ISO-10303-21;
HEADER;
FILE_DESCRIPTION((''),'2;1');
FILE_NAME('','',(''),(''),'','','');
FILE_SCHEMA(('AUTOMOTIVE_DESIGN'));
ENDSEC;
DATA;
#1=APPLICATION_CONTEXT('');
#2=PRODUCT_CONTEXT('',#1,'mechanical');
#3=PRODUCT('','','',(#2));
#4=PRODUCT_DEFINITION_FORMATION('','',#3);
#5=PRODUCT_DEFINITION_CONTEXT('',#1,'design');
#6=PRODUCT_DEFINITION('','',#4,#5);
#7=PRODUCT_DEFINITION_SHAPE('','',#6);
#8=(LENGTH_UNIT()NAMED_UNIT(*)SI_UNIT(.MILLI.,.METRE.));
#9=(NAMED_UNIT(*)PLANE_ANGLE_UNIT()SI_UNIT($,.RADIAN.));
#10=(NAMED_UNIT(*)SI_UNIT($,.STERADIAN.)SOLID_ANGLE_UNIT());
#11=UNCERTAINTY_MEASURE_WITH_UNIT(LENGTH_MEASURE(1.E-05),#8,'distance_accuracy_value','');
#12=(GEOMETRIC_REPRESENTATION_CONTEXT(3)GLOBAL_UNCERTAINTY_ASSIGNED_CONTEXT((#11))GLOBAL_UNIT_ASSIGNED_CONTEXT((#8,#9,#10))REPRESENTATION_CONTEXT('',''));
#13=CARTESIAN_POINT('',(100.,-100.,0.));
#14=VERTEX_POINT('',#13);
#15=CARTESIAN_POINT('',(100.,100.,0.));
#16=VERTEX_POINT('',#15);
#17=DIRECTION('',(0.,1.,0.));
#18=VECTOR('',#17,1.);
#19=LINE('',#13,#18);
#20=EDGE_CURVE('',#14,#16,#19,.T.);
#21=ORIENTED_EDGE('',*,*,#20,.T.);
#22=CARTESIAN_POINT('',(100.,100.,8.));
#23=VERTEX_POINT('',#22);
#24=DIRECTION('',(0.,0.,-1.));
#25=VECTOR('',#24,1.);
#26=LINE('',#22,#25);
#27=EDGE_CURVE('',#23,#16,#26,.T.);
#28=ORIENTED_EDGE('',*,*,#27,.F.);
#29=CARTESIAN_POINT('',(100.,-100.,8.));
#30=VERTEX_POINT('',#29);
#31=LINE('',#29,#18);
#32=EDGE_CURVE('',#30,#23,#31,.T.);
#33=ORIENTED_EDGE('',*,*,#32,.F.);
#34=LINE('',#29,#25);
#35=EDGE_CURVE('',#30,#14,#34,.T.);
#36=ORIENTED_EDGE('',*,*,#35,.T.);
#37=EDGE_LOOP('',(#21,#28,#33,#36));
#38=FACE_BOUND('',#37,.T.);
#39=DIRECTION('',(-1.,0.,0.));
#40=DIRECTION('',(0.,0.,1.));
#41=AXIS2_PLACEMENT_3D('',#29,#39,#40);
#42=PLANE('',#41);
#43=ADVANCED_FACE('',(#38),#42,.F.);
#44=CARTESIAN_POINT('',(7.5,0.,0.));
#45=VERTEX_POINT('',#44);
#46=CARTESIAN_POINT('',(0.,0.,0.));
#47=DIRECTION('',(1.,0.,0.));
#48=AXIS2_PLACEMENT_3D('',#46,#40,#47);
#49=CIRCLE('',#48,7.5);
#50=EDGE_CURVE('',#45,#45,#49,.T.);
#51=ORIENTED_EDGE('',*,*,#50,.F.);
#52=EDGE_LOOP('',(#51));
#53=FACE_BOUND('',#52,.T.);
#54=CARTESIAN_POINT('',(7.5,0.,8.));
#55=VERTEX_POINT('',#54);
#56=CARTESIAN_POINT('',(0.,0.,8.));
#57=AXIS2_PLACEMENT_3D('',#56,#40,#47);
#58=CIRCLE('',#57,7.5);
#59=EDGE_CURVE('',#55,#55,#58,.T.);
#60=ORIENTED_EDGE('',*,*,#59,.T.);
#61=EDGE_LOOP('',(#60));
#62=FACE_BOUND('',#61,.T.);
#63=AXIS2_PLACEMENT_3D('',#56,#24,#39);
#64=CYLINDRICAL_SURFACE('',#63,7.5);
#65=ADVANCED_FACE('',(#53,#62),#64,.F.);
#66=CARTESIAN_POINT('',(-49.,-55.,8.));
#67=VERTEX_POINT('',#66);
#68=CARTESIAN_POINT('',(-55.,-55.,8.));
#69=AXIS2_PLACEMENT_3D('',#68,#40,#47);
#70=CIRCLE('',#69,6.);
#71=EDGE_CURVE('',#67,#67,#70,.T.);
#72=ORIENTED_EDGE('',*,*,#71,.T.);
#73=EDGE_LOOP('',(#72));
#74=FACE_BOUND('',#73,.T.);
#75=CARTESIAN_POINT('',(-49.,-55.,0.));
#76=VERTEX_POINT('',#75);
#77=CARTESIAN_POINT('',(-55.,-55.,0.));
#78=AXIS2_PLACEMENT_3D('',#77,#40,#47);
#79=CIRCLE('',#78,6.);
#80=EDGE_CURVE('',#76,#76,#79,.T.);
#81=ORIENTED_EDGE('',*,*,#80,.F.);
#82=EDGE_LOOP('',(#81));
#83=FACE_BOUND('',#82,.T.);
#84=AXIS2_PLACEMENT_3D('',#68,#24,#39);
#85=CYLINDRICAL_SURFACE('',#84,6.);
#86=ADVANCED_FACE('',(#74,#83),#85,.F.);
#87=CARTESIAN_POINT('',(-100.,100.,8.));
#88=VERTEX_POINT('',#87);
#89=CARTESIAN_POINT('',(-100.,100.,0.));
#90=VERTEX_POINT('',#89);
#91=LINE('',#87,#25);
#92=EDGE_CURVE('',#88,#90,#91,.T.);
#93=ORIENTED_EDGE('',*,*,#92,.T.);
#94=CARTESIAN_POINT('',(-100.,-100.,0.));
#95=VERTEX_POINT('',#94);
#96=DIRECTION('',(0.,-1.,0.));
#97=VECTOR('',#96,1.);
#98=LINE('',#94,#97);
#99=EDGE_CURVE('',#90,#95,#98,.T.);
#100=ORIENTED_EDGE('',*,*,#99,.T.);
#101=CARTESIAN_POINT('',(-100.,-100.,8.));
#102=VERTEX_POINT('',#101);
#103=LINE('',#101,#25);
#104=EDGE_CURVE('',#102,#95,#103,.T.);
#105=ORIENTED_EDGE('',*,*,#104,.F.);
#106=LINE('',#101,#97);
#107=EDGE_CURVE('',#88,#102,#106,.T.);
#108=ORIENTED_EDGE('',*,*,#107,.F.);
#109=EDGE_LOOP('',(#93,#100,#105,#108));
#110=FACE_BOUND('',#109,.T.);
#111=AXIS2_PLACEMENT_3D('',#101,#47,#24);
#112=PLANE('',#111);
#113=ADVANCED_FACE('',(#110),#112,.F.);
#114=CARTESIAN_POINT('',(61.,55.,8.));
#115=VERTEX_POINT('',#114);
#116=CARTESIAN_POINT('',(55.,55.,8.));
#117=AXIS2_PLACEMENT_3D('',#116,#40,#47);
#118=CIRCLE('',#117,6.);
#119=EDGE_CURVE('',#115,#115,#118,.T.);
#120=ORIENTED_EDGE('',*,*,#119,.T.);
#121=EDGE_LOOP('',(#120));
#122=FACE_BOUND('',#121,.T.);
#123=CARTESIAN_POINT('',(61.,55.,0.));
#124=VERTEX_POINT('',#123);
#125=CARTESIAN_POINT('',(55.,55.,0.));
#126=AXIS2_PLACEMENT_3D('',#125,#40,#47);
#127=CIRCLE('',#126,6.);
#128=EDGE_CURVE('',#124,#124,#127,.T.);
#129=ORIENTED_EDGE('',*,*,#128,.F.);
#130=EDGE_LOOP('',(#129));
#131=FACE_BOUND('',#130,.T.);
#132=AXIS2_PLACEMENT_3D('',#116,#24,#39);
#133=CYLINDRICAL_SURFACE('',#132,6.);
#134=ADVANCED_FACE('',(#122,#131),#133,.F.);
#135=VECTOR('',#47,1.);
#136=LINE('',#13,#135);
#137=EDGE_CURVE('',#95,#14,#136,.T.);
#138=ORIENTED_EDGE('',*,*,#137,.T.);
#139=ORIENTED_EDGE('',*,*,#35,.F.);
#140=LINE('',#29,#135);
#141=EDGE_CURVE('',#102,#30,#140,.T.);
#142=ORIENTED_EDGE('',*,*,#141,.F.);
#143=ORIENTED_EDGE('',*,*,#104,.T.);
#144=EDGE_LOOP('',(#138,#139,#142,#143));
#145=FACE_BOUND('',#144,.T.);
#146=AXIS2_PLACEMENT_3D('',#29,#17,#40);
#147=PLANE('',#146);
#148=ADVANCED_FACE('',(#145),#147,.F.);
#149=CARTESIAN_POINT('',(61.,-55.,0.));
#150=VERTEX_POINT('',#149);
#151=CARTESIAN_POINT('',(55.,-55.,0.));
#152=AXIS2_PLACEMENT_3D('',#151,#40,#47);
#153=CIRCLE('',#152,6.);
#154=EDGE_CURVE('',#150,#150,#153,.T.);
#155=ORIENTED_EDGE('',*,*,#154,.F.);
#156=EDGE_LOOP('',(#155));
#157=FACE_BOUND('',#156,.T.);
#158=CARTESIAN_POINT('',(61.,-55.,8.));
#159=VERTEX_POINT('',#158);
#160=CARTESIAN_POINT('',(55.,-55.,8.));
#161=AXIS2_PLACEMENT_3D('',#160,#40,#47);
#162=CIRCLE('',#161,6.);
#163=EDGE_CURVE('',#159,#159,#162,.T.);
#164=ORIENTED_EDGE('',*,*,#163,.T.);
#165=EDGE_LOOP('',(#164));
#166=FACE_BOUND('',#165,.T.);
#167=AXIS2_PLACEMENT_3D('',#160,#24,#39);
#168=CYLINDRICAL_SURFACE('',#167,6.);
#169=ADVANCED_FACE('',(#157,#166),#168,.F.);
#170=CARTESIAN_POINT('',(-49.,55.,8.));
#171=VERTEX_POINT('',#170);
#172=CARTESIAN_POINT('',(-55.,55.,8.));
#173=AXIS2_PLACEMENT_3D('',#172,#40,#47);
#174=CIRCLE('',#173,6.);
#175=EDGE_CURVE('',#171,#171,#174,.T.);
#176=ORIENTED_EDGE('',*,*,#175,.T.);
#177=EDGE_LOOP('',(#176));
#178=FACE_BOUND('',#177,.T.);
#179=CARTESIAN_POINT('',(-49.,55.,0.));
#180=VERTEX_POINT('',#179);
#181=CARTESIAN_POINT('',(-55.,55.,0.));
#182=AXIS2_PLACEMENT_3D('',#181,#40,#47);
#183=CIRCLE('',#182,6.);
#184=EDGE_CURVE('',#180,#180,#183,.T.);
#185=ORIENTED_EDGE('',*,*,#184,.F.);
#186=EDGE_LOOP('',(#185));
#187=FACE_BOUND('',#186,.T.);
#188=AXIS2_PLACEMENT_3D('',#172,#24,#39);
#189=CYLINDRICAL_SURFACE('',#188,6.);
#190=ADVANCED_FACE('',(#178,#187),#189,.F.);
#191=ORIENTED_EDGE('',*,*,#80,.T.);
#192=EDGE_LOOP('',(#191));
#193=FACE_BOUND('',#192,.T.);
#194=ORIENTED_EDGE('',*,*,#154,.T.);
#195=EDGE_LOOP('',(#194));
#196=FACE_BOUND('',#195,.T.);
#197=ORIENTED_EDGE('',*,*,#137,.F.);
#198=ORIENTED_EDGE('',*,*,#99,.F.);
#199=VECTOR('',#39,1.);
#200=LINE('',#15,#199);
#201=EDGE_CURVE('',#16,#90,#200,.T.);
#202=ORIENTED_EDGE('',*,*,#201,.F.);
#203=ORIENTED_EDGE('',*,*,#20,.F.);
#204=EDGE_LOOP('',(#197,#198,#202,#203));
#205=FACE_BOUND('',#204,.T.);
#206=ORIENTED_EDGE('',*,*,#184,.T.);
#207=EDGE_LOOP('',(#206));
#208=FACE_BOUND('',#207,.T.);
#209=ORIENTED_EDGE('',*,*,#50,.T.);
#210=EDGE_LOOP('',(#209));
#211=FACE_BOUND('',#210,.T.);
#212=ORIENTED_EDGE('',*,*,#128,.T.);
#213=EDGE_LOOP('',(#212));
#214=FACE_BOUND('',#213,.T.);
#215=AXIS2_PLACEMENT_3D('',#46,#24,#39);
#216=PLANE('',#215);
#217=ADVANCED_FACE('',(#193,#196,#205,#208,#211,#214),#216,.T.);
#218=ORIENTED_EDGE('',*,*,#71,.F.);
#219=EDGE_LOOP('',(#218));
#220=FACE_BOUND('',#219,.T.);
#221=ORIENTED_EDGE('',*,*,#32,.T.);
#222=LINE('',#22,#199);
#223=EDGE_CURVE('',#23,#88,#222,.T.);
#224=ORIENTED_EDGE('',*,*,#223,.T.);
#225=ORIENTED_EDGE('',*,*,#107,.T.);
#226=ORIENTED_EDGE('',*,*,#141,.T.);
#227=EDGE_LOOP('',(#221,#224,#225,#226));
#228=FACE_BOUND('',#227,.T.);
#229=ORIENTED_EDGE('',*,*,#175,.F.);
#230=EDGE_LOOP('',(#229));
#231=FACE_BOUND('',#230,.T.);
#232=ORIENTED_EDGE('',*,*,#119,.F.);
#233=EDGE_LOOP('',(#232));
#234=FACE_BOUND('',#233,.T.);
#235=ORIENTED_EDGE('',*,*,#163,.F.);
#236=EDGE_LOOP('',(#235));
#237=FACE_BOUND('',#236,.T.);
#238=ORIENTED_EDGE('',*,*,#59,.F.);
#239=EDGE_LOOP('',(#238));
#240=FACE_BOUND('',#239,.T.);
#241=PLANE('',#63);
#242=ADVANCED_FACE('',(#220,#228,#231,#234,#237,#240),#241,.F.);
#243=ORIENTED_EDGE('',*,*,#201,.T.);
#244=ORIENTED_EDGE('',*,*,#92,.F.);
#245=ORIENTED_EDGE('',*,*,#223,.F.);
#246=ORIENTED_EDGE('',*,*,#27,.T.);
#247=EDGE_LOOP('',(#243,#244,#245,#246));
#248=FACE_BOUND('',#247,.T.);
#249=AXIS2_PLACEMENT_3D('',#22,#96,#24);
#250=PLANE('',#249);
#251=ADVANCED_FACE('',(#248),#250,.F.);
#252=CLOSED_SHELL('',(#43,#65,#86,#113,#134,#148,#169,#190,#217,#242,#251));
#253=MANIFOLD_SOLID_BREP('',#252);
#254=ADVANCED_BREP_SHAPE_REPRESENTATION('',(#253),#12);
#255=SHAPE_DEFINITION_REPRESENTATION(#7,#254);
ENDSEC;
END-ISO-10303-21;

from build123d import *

# Parameters (mm, degrees)
SKETCH1_W           = 200
SKETCH1_H           = 200
BOSS_EXTRUDE1_DEPTH = 8
SKETCH2_R           = 6
CUT_EXTRUDE1_DEPTH  = 142.647449677
SKETCH3_R           = 7.5
CUT_EXTRUDE2_DEPTH  = 142.647449677


with BuildPart() as part:
    # Sketch1 → Boss-Extrude1 (new body)
    with BuildSketch(Plane(origin=(0, 0, 0), x_dir=(0, 1, 0), z_dir=(0, 0, 1))):
        Rectangle(SKETCH1_W, SKETCH1_H)
    extrude(amount=BOSS_EXTRUDE1_DEPTH)

    # Sketch2 → Cut-Extrude1 (cut, through all)
    with BuildSketch(Plane(origin=(0, 0, 0), x_dir=(0, 1, 0), z_dir=(0, 0, 1))):
        with Locations(Location((-55, 55, 0), (0, 0, 270))):
            Circle(SKETCH2_R)
        with Locations(Location((55, 55, 0), (0, 0, 270))):
            Circle(SKETCH2_R)
        with Locations(Location((-55, -55, 0), (0, 0, 270))):
            Circle(SKETCH2_R)
        with Locations(Location((55, -55, 0), (0, 0, 270))):
            Circle(SKETCH2_R)
    extrude(amount=CUT_EXTRUDE1_DEPTH, mode=Mode.SUBTRACT)

    # Sketch3 → Cut-Extrude2 (cut, through all)
    with BuildSketch(Plane(origin=(0, 0, 0), x_dir=(0, 1, 0), z_dir=(0, 0, 1))):
        with Locations(Location((0, 0, 0), (0, 0, 270))):
            Circle(SKETCH3_R)
    extrude(amount=CUT_EXTRUDE2_DEPTH, mode=Mode.SUBTRACT)


solid = part.part
